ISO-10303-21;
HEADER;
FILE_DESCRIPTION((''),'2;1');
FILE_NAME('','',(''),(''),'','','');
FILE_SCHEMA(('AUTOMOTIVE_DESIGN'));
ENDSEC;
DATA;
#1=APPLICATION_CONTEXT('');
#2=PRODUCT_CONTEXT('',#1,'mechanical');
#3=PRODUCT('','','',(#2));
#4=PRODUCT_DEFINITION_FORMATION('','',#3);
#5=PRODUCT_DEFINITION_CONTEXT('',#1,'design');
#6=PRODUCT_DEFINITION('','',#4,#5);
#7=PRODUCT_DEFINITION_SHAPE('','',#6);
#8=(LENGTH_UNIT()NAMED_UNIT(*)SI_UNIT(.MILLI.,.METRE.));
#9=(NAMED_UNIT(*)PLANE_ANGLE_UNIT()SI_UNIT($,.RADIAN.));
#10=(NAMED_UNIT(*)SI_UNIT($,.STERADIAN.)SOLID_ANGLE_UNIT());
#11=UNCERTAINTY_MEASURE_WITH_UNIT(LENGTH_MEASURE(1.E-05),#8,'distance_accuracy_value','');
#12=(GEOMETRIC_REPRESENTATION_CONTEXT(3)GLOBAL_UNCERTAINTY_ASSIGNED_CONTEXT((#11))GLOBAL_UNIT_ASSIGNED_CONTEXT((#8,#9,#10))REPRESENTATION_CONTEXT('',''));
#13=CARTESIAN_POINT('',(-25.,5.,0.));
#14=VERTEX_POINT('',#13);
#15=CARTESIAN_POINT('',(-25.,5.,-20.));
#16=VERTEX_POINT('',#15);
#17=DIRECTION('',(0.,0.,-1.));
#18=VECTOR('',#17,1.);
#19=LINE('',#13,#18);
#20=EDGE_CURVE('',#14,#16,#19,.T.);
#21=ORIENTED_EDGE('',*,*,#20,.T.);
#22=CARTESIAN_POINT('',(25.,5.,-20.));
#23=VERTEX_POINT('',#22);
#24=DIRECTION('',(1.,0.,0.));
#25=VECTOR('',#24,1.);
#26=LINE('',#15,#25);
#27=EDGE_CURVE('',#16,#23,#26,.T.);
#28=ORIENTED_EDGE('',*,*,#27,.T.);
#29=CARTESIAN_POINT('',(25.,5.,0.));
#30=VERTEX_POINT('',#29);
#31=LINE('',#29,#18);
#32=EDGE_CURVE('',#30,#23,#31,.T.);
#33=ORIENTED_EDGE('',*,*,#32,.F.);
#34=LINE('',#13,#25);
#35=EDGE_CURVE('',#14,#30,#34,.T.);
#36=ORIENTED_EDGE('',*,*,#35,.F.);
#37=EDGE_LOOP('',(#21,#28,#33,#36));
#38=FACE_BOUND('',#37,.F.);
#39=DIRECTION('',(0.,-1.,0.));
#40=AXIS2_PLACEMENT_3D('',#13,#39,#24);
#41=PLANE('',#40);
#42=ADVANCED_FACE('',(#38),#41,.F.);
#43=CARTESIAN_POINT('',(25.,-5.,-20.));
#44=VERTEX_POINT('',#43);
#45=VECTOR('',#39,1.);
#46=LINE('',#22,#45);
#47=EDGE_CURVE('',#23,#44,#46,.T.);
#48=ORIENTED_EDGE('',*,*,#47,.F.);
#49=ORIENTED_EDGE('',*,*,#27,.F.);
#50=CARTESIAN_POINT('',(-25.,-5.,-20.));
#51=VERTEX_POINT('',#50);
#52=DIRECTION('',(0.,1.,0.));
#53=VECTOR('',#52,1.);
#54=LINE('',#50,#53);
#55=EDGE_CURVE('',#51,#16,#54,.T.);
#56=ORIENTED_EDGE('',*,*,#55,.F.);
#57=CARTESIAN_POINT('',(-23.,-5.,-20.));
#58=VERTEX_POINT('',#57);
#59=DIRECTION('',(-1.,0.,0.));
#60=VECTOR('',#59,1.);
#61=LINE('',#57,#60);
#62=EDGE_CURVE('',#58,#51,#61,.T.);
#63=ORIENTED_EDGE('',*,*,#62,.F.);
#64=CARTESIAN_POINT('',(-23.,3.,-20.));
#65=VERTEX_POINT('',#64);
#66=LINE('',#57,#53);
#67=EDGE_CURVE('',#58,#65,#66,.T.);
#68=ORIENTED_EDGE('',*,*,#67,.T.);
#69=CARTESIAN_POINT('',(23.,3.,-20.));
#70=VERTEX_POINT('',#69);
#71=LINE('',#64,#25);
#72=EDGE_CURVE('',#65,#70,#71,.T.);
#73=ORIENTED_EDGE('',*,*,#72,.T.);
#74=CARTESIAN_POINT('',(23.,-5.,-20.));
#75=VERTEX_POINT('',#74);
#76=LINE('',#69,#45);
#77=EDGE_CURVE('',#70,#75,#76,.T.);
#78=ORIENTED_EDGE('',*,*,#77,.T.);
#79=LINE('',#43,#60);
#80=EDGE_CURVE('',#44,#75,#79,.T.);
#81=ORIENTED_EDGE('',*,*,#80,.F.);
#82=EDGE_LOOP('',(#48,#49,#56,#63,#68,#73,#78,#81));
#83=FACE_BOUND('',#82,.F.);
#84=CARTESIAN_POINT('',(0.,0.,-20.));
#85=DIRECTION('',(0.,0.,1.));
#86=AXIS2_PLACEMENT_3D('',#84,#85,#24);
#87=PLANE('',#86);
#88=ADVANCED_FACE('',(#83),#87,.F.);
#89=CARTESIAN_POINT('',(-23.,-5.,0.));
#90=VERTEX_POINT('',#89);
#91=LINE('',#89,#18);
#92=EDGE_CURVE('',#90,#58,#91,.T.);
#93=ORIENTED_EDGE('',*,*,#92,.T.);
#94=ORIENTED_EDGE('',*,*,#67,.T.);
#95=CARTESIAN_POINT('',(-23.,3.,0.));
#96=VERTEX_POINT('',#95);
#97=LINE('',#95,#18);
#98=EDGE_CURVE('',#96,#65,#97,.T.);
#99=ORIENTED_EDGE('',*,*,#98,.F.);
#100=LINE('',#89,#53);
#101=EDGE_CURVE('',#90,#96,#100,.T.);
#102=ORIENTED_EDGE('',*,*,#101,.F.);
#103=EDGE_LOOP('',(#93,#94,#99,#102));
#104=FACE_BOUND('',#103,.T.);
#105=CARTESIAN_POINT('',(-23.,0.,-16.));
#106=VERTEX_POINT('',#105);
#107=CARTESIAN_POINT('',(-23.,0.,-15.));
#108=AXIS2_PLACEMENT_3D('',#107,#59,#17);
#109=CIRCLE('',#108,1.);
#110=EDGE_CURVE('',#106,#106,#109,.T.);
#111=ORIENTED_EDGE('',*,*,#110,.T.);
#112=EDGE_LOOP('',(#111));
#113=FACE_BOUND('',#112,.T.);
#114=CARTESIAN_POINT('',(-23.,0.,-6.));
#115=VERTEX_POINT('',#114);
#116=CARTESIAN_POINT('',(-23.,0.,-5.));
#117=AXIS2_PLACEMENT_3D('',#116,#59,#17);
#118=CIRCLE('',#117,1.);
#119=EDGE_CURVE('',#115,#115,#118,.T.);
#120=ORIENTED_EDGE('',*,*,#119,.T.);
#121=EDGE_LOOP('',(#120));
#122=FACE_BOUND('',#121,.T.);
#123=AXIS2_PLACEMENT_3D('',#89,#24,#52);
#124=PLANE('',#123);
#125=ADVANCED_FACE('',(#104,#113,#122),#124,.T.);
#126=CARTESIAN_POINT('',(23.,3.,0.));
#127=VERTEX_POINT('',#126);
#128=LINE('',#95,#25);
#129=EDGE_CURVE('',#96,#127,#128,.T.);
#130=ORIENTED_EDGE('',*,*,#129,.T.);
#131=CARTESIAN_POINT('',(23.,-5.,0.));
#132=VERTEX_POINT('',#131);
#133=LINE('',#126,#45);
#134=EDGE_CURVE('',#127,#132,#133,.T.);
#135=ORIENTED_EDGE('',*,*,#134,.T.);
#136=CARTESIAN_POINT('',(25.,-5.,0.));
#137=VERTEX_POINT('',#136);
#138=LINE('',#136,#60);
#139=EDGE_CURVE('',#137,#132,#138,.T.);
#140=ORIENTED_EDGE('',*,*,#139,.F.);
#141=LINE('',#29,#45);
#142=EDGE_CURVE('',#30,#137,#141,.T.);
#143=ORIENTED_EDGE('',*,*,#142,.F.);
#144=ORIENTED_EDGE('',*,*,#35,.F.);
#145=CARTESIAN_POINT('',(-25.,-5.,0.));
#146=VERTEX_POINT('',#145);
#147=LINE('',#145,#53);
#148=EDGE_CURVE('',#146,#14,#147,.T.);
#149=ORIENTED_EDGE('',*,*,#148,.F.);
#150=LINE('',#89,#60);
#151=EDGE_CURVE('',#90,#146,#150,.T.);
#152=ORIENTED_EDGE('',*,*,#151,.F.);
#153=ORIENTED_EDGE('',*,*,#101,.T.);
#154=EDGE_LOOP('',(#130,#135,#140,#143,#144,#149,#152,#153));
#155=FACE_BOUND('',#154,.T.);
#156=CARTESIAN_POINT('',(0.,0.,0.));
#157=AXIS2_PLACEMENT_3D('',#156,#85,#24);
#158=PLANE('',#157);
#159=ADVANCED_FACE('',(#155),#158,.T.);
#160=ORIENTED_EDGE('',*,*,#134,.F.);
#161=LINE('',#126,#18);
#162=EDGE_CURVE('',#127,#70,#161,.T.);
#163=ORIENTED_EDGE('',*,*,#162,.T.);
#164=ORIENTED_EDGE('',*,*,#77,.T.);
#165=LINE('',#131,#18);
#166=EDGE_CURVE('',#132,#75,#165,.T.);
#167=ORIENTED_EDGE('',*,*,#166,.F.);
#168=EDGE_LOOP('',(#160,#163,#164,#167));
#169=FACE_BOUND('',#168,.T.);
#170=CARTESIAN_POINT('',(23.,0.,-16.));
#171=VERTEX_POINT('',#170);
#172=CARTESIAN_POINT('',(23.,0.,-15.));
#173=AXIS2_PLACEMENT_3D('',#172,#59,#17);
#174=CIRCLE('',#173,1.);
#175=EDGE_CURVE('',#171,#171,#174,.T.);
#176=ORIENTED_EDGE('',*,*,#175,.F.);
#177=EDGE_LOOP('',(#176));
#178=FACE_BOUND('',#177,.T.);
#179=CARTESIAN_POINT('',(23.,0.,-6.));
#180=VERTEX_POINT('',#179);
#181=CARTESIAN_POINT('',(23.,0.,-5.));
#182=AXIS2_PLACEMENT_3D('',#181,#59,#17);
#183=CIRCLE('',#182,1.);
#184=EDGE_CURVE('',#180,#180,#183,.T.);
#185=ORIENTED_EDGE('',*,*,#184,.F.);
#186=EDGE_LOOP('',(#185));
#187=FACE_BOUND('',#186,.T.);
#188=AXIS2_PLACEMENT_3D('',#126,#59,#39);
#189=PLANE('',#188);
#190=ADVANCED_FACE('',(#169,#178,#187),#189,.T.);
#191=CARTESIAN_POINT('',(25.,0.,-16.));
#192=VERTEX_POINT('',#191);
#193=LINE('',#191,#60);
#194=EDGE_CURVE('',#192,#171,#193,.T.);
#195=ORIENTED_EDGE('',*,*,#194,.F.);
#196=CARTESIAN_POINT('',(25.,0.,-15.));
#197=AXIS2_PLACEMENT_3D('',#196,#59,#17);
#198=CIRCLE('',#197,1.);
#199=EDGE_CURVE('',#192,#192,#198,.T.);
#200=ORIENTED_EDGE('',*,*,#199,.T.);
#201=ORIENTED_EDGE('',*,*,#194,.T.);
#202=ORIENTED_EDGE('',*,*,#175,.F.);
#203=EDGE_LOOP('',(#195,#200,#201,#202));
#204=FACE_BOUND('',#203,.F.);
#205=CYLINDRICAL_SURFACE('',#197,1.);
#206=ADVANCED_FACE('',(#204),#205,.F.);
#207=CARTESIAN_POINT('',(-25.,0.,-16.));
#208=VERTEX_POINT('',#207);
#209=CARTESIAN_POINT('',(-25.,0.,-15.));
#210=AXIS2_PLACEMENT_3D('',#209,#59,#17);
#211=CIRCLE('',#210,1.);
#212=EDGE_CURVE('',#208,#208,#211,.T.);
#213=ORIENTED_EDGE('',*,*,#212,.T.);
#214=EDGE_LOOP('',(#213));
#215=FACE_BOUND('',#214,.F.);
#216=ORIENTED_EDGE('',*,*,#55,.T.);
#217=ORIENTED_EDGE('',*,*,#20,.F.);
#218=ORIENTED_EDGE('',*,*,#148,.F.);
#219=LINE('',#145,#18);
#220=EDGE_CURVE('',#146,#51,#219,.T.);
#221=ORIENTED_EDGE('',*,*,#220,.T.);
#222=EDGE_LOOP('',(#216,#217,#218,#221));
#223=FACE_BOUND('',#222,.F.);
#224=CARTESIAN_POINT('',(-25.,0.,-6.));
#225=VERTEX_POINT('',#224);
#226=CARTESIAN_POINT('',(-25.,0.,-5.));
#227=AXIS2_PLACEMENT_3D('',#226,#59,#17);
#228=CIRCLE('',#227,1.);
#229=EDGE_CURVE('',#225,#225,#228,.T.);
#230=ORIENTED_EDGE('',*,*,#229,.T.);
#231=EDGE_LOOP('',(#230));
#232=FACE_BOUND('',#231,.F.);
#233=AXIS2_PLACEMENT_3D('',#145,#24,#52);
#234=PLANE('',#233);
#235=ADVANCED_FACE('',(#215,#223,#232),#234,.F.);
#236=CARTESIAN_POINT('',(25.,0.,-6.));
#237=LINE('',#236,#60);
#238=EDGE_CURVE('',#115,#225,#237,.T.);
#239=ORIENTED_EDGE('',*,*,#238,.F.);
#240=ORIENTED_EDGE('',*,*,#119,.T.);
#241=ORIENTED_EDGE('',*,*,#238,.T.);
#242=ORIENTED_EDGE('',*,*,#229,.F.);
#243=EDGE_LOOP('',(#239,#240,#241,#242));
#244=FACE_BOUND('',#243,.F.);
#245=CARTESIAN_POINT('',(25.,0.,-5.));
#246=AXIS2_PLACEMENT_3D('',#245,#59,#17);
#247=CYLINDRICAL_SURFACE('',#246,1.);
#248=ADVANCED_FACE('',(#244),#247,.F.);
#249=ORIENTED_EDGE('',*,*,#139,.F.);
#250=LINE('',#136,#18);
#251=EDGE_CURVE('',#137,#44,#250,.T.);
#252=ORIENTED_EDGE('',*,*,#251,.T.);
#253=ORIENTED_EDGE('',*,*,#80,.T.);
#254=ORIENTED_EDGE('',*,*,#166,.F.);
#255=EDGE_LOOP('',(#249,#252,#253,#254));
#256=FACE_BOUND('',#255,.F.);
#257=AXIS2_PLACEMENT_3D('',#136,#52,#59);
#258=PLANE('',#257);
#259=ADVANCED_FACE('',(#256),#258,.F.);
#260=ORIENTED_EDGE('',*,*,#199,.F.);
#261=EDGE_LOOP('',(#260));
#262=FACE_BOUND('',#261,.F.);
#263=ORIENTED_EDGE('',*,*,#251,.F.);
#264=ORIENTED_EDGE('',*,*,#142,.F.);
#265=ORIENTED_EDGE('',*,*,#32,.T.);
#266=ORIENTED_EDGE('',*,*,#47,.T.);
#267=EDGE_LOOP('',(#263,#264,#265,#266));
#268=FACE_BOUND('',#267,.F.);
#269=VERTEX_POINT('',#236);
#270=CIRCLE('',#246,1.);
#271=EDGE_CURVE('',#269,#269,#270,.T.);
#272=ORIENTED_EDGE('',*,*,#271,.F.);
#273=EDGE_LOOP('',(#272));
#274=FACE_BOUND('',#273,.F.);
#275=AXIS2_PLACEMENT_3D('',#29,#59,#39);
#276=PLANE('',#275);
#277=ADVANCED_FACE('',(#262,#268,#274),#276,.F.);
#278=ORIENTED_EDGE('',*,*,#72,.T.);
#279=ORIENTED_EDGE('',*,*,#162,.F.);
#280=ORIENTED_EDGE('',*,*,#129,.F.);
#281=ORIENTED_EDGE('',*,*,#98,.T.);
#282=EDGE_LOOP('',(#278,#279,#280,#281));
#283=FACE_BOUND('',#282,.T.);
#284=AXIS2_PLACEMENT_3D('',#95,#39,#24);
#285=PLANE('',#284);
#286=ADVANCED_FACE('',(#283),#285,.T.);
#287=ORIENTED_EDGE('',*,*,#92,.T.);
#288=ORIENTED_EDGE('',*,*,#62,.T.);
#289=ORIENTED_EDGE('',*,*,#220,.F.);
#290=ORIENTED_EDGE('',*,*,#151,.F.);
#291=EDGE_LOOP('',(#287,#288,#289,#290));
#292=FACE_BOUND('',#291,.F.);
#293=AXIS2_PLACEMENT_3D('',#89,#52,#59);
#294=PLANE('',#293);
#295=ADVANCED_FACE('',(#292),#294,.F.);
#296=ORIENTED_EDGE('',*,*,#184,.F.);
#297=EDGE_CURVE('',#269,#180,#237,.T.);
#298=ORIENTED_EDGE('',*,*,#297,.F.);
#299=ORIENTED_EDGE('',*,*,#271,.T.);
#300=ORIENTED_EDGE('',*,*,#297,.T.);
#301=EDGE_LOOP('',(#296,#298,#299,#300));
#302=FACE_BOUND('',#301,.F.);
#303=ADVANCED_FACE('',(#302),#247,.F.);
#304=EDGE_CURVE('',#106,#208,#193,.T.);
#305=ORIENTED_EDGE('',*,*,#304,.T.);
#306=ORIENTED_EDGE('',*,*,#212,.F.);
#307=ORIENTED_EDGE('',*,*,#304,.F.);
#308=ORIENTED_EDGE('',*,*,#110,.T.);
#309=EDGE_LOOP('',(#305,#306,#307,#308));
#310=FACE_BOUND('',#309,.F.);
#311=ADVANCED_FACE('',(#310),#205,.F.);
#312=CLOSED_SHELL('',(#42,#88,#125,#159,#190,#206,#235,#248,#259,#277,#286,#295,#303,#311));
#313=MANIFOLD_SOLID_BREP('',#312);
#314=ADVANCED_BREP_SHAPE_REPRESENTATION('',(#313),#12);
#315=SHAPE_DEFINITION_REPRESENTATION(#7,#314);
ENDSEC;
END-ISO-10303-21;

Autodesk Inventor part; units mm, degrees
ref_plane "YZ Plane" through (0, 0, 0) normal (1, 0, 0) x (0, 1, 0)
ref_plane "XZ Plane" through (0, 0, 0) normal (0, 1, 0) x (-1, 0, 0)
ref_plane "XY Plane" through (0, 0, 0) normal (0, 0, 1) x (1, 0, 0)
sketch "スケッチ1" plane through (0, 0, 0) normal (0, 0, 1) x (1, 0, 0)
  line L0 (-25, 5) -> (25, 5)
  line L1 (25, 5) -> (25, -5)
  line L2 (-25, -5) -> (-25, 5)
  line L3 (-23, 3) -> (23, 3)
  line L4 (23, 3) -> (23, -5)
  line L5 (-23, -5) -> (-23, 3)
  line L6 (25, -5) -> (23, -5)
  line L7 (-23, -5) -> (-25, -5)
  point P0 (0, 0)
  dimension "d0" = 50
  dimension "d2" = 46
  dimension "d3" = 23
  dimension "d4" = 25
  dimension "d5" = 10
  dimension "d6" = 10
  dimension "d8" = 5
  dimension "d9" = 8
extrude "押し出し1" add sketch "スケッチ1" against normal blind 20
sketch "スケッチ2" plane through (25, -5, 0) normal (1, 0, 0) x (0, 0, -1)
  line L0 (0, 10) -> (0, 0) projected
  line L1 (0, 10) -> (20, 10) projected
  circle A0 centre (5, 5) radius 1
  circle A1 centre (15, 5) radius 1
  point P0 (0, 5)
  dimension "d14" = 5
  dimension "d15" = 5
  dimension "d16" = 5
  dimension "d17" = 10
  dimension "d18" = 2
hole "穴1" at (25, 0, -5) at (25, 0, -15) direction (-1, 0, 0) diameter 2 end through all
thread "ねじ3" size "M2x0.4" class "6H" standard "ANSI Metric M Profile" full length
thread "ねじ4" size "M2x0.4" class "6H" standard "ANSI Metric M Profile" full length
thread "ねじ5" size "M2x0.4" class "6H" standard "ANSI Metric M Profile" full length
thread "ねじ6" size "M2x0.4" class "6H" standard "ANSI Metric M Profile" full length
properties part number "Leg_Link_Conecter" material "アルミニウム 6061"
